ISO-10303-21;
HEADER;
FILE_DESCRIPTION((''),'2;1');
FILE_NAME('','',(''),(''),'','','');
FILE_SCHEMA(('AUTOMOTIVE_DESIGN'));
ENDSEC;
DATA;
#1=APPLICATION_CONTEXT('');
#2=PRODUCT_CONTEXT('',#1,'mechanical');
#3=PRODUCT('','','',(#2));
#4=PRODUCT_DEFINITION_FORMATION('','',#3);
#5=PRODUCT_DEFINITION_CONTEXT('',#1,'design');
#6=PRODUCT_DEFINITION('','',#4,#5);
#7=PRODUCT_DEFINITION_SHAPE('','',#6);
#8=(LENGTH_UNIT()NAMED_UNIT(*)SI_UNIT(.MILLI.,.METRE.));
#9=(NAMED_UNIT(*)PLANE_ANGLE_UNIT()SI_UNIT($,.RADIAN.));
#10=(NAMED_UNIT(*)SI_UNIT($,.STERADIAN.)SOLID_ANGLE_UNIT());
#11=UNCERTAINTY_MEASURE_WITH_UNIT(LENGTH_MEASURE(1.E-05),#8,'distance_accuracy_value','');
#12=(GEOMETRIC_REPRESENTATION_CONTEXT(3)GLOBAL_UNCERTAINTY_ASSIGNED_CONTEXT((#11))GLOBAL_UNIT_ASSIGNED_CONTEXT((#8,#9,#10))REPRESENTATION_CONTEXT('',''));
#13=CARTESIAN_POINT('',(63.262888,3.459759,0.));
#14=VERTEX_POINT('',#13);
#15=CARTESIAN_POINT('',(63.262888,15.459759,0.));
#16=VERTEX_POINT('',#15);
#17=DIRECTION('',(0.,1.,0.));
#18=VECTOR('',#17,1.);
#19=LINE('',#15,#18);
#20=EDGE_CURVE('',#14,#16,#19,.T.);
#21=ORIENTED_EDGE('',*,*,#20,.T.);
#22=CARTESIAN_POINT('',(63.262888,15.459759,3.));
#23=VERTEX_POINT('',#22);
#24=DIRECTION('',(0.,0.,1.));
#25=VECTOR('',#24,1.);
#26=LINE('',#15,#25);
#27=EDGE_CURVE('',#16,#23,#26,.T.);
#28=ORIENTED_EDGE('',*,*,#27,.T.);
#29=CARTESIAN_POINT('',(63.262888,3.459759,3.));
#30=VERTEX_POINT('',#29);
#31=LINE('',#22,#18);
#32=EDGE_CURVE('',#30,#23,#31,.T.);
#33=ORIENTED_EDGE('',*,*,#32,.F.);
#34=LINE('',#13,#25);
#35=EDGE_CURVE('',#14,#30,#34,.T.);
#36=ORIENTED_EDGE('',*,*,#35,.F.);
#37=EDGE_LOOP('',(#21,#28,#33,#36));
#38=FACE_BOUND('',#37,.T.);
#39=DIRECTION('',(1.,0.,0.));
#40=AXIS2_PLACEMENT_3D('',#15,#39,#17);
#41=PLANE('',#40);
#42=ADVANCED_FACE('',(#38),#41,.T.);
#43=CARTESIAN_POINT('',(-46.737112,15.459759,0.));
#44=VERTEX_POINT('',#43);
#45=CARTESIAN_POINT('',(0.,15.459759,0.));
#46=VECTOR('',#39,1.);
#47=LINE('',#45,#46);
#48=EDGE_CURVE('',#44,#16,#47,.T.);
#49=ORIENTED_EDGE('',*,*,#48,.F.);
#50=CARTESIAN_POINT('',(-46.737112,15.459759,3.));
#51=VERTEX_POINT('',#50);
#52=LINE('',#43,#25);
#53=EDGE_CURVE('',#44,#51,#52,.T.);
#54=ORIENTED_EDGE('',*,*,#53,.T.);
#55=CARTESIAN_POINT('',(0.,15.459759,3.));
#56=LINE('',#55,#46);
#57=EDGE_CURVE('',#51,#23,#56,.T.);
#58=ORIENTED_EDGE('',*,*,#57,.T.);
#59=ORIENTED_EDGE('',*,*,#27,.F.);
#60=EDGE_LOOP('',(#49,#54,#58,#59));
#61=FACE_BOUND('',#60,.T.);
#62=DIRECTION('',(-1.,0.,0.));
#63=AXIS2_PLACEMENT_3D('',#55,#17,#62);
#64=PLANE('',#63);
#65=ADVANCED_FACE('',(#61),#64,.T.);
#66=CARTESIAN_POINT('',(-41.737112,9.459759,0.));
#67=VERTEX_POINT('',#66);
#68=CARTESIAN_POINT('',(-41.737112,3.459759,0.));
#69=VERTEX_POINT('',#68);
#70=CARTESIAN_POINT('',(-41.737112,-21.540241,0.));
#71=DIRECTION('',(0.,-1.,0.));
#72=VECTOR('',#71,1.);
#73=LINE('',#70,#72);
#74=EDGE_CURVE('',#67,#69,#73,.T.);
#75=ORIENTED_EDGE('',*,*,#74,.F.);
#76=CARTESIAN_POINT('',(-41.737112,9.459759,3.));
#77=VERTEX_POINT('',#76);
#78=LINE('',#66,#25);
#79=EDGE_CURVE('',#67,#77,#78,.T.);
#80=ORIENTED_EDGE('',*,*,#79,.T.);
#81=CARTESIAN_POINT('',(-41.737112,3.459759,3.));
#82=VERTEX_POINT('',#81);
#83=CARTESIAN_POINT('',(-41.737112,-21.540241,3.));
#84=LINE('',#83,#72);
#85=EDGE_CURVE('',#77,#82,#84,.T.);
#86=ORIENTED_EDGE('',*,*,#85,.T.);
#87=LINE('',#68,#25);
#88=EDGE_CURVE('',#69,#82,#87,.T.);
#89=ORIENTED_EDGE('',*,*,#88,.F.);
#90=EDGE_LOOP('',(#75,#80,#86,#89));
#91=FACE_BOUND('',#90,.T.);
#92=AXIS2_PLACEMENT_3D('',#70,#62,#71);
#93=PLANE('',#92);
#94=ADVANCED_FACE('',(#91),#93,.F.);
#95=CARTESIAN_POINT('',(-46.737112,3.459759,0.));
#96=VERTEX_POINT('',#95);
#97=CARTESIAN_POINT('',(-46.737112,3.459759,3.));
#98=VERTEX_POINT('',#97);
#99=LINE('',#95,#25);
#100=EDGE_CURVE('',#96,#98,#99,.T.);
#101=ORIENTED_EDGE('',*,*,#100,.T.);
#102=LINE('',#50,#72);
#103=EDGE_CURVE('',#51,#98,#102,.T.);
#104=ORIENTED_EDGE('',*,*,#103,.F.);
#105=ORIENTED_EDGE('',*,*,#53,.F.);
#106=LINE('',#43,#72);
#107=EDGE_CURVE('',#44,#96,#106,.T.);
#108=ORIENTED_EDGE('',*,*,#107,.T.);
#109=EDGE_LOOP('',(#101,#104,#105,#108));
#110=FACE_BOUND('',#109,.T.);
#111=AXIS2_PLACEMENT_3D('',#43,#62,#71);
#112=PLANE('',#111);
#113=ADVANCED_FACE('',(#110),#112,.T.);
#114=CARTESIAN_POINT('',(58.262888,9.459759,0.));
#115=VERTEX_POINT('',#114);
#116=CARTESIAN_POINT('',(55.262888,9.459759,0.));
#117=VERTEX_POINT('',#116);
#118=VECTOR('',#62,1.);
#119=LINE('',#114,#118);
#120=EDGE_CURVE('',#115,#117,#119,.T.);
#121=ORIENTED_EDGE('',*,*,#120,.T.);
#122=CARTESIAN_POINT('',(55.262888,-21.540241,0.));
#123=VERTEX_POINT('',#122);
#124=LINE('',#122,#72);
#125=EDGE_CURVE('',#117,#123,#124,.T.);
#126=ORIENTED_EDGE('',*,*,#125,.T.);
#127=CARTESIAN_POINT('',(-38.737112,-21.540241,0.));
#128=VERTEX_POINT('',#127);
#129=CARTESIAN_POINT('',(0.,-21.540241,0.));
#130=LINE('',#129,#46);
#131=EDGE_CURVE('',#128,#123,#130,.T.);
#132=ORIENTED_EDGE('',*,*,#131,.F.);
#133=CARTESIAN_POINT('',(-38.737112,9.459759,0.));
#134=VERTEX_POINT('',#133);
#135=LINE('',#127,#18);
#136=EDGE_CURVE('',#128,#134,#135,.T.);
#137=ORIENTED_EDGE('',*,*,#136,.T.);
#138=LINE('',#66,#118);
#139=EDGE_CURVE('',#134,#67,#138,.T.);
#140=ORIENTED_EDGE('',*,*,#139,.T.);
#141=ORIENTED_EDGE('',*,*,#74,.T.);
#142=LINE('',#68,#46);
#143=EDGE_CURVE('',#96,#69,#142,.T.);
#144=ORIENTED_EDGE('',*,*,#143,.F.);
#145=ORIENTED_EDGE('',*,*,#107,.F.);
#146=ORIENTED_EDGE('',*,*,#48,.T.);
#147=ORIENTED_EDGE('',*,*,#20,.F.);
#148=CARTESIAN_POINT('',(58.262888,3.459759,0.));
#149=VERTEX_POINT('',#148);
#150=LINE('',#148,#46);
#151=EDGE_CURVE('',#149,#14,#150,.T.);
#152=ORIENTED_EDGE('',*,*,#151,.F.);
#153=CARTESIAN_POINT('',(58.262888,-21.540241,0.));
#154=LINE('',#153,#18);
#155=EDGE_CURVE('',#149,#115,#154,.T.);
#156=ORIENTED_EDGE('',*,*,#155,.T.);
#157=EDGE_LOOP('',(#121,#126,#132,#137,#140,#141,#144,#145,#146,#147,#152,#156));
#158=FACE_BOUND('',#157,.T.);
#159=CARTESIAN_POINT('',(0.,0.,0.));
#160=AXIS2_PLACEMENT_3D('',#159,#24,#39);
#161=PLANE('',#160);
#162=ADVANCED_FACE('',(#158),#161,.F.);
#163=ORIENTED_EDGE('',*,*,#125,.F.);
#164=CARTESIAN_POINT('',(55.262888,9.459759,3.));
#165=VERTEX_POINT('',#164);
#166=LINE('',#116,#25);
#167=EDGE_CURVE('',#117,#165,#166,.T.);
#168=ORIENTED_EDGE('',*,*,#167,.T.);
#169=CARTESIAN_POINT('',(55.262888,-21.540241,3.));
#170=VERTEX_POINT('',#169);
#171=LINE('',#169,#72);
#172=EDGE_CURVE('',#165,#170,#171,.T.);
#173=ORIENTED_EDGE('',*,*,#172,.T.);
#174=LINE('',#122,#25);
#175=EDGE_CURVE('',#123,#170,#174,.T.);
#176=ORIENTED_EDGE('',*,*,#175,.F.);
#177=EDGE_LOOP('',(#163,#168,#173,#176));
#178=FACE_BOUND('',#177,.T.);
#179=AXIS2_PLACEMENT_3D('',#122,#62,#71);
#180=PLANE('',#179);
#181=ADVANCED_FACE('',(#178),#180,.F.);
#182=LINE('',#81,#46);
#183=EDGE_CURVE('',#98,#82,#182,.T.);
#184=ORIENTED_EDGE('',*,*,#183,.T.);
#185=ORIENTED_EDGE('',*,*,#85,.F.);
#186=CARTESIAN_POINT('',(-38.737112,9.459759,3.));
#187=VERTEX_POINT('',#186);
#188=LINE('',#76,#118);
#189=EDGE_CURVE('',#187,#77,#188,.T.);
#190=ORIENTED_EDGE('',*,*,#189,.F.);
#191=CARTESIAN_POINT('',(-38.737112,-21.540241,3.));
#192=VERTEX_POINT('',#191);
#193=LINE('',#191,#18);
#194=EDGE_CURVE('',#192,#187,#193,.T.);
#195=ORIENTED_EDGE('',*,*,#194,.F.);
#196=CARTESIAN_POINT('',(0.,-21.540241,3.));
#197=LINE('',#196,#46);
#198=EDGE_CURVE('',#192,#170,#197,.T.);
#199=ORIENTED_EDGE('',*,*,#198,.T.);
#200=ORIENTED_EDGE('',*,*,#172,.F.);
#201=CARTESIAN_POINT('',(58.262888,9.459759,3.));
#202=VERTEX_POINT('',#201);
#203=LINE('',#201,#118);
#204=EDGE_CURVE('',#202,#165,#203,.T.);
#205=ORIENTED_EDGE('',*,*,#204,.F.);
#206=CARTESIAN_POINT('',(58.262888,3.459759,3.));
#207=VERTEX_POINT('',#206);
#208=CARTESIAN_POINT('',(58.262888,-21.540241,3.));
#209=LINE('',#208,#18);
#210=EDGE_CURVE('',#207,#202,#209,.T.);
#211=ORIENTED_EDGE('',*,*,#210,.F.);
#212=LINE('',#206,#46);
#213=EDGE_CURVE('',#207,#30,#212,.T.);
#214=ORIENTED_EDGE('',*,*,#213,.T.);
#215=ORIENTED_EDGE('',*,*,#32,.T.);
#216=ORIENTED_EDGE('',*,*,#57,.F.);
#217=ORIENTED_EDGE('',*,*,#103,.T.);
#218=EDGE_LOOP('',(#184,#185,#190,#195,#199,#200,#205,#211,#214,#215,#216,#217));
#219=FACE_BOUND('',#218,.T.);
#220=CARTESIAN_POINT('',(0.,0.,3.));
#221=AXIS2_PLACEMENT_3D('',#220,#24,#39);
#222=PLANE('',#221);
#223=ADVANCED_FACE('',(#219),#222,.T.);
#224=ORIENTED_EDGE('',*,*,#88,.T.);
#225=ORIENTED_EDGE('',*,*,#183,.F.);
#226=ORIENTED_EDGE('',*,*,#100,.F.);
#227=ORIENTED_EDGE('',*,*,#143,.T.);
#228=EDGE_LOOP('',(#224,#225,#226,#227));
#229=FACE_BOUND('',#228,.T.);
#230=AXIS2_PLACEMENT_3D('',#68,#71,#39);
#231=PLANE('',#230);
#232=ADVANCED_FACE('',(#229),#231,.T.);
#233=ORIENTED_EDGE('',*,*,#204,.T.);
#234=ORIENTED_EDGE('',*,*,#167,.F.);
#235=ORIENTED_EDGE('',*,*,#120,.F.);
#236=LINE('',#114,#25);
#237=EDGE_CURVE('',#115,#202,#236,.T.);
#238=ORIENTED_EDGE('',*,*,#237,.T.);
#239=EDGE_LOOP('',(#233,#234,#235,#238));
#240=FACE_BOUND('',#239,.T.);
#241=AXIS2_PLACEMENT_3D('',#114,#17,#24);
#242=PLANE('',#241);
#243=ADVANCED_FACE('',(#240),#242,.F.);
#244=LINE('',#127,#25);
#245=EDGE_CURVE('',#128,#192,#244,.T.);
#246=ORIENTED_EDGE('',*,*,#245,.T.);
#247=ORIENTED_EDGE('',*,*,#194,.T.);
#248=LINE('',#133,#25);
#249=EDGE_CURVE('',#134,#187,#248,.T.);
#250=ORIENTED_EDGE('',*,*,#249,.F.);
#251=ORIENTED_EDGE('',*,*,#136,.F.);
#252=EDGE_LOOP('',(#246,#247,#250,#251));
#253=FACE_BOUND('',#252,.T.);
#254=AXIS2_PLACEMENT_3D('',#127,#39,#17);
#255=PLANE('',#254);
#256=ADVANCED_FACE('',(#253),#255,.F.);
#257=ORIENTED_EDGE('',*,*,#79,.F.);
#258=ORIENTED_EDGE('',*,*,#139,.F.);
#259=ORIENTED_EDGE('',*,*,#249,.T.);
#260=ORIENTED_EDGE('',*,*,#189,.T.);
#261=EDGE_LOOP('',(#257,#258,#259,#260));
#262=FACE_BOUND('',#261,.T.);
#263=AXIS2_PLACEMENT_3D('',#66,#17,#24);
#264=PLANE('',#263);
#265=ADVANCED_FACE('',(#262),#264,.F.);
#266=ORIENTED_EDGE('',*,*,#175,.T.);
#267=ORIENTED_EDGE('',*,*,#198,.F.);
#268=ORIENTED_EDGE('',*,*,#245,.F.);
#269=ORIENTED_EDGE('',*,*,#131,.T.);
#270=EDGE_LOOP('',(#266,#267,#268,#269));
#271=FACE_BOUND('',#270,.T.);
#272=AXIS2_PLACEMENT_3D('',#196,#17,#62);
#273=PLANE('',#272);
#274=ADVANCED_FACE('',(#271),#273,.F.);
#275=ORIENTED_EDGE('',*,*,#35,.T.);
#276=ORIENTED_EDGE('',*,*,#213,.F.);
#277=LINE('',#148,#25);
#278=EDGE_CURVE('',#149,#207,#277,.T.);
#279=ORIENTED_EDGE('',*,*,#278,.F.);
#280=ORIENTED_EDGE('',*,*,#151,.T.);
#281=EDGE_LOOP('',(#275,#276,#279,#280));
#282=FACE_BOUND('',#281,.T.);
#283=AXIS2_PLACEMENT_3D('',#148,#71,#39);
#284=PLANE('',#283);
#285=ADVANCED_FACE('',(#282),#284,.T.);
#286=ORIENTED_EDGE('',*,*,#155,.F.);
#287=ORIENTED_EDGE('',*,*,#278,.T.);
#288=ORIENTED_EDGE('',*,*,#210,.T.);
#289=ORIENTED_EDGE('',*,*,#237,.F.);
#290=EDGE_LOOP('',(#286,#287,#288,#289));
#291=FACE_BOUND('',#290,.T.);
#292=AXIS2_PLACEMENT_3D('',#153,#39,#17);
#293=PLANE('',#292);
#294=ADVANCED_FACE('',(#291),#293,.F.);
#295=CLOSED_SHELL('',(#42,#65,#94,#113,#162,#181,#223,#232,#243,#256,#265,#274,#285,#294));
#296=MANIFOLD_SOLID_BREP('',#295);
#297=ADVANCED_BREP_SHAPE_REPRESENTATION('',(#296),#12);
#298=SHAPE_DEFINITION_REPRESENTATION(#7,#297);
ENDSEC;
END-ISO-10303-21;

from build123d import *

# Parameters (mm, degrees)
EXTRUDE_1_DEPTH     = 3
SKETCH_2_W          = 100
SKETCH_2_H          = 37
EXTRUDE_2_DEPTH     = 3
SKETCH_3_W          = 5
SKETCH_3_H          = 12
EXTRUDE_3_DEPTH     = 3
SKETCH_4_W          = 3
SKETCH_4_H          = 31
CUT_EXTRUDE_1_DEPTH = 3


with BuildPart() as part:
    # 草圖1 → 填料-伸長1 (new body)
    with BuildSketch(Plane.XY):
        Polygon((49.262888429, -21.540240663), (49.262888429, -18.540240663), (39.262888429, -18.540240663), (39.262888429, -21.540240663), (25.262888429, -21.540240663), (25.262888429, -18.540240663), (15.262888429, -18.540240663), (15.262888429, -21.540240663), (1.262888429, -21.540240663), (1.262888429, -18.540240663), (-8.737111571, -18.540240663), (-8.737111571, -21.540240663), (-22.737111571, -21.540240663), (-22.737111571, -18.540240663), (-32.737111571, -18.540240663), (-32.737111571, -21.540240663), (-41.737111571, -21.540240663), (-41.737111571, -8.040240663), (-38.737111571, -8.040240663), (-38.737111571, 1.959759337), (-41.737111571, 1.959759337), (-41.737111571, 15.459759337), (-32.737111571, 15.459759337), (-32.737111571, 12.459759337), (-22.737111571, 12.459759337), (-22.737111571, 15.459759337), (-8.737111571, 15.459759337), (-8.737111571, 12.459759337), (1.262888429, 12.459759337), (1.262888429, 15.459759337), (15.262888429, 15.459759337), (15.262888429, 12.459759337), (25.262888429, 12.459759337), (25.262888429, 15.459759337), (39.262888429, 15.459759337), (39.262888429, 12.459759337), (49.262888429, 12.459759337), (49.262888429, 15.459759337), (58.262888429, 15.459759337), (58.262888429, 1.959759337), (55.262888429, 1.959759337), (55.262888429, -8.040240663), (58.262888429, -8.040240663), (58.262888429, -21.540240663), align=None)
    extrude(amount=EXTRUDE_1_DEPTH)

    # 草圖2 → 填料-伸長2 (add)
    with BuildSketch(Plane.XY.offset(3)):
        with Locations((8.262888429, -3.040240663)):
            Rectangle(SKETCH_2_W, SKETCH_2_H)
    extrude(amount=-EXTRUDE_2_DEPTH)

    # 草圖3 → 填料-伸長3 (add)
    with BuildSketch(Plane.XY.offset(3)):
        with Locations((60.762888429, 9.459759337)):
            Rectangle(SKETCH_3_W, SKETCH_3_H)
        with Locations((-44.237111571, 9.459759337)):
            Rectangle(SKETCH_3_W, SKETCH_3_H)
    extrude(amount=-EXTRUDE_3_DEPTH)

    # 草圖4 → 除料-伸長1 (cut)
    with BuildSketch(Plane.XY.offset(3)):
        with Locations((-40.237111571, -6.040240663)):
            Rectangle(SKETCH_4_W, SKETCH_4_H)
        with Locations((56.762888429, -6.040240663)):
            Rectangle(SKETCH_4_W, SKETCH_4_H)
    extrude(amount=-CUT_EXTRUDE_1_DEPTH, mode=Mode.SUBTRACT)


solid = part.part
